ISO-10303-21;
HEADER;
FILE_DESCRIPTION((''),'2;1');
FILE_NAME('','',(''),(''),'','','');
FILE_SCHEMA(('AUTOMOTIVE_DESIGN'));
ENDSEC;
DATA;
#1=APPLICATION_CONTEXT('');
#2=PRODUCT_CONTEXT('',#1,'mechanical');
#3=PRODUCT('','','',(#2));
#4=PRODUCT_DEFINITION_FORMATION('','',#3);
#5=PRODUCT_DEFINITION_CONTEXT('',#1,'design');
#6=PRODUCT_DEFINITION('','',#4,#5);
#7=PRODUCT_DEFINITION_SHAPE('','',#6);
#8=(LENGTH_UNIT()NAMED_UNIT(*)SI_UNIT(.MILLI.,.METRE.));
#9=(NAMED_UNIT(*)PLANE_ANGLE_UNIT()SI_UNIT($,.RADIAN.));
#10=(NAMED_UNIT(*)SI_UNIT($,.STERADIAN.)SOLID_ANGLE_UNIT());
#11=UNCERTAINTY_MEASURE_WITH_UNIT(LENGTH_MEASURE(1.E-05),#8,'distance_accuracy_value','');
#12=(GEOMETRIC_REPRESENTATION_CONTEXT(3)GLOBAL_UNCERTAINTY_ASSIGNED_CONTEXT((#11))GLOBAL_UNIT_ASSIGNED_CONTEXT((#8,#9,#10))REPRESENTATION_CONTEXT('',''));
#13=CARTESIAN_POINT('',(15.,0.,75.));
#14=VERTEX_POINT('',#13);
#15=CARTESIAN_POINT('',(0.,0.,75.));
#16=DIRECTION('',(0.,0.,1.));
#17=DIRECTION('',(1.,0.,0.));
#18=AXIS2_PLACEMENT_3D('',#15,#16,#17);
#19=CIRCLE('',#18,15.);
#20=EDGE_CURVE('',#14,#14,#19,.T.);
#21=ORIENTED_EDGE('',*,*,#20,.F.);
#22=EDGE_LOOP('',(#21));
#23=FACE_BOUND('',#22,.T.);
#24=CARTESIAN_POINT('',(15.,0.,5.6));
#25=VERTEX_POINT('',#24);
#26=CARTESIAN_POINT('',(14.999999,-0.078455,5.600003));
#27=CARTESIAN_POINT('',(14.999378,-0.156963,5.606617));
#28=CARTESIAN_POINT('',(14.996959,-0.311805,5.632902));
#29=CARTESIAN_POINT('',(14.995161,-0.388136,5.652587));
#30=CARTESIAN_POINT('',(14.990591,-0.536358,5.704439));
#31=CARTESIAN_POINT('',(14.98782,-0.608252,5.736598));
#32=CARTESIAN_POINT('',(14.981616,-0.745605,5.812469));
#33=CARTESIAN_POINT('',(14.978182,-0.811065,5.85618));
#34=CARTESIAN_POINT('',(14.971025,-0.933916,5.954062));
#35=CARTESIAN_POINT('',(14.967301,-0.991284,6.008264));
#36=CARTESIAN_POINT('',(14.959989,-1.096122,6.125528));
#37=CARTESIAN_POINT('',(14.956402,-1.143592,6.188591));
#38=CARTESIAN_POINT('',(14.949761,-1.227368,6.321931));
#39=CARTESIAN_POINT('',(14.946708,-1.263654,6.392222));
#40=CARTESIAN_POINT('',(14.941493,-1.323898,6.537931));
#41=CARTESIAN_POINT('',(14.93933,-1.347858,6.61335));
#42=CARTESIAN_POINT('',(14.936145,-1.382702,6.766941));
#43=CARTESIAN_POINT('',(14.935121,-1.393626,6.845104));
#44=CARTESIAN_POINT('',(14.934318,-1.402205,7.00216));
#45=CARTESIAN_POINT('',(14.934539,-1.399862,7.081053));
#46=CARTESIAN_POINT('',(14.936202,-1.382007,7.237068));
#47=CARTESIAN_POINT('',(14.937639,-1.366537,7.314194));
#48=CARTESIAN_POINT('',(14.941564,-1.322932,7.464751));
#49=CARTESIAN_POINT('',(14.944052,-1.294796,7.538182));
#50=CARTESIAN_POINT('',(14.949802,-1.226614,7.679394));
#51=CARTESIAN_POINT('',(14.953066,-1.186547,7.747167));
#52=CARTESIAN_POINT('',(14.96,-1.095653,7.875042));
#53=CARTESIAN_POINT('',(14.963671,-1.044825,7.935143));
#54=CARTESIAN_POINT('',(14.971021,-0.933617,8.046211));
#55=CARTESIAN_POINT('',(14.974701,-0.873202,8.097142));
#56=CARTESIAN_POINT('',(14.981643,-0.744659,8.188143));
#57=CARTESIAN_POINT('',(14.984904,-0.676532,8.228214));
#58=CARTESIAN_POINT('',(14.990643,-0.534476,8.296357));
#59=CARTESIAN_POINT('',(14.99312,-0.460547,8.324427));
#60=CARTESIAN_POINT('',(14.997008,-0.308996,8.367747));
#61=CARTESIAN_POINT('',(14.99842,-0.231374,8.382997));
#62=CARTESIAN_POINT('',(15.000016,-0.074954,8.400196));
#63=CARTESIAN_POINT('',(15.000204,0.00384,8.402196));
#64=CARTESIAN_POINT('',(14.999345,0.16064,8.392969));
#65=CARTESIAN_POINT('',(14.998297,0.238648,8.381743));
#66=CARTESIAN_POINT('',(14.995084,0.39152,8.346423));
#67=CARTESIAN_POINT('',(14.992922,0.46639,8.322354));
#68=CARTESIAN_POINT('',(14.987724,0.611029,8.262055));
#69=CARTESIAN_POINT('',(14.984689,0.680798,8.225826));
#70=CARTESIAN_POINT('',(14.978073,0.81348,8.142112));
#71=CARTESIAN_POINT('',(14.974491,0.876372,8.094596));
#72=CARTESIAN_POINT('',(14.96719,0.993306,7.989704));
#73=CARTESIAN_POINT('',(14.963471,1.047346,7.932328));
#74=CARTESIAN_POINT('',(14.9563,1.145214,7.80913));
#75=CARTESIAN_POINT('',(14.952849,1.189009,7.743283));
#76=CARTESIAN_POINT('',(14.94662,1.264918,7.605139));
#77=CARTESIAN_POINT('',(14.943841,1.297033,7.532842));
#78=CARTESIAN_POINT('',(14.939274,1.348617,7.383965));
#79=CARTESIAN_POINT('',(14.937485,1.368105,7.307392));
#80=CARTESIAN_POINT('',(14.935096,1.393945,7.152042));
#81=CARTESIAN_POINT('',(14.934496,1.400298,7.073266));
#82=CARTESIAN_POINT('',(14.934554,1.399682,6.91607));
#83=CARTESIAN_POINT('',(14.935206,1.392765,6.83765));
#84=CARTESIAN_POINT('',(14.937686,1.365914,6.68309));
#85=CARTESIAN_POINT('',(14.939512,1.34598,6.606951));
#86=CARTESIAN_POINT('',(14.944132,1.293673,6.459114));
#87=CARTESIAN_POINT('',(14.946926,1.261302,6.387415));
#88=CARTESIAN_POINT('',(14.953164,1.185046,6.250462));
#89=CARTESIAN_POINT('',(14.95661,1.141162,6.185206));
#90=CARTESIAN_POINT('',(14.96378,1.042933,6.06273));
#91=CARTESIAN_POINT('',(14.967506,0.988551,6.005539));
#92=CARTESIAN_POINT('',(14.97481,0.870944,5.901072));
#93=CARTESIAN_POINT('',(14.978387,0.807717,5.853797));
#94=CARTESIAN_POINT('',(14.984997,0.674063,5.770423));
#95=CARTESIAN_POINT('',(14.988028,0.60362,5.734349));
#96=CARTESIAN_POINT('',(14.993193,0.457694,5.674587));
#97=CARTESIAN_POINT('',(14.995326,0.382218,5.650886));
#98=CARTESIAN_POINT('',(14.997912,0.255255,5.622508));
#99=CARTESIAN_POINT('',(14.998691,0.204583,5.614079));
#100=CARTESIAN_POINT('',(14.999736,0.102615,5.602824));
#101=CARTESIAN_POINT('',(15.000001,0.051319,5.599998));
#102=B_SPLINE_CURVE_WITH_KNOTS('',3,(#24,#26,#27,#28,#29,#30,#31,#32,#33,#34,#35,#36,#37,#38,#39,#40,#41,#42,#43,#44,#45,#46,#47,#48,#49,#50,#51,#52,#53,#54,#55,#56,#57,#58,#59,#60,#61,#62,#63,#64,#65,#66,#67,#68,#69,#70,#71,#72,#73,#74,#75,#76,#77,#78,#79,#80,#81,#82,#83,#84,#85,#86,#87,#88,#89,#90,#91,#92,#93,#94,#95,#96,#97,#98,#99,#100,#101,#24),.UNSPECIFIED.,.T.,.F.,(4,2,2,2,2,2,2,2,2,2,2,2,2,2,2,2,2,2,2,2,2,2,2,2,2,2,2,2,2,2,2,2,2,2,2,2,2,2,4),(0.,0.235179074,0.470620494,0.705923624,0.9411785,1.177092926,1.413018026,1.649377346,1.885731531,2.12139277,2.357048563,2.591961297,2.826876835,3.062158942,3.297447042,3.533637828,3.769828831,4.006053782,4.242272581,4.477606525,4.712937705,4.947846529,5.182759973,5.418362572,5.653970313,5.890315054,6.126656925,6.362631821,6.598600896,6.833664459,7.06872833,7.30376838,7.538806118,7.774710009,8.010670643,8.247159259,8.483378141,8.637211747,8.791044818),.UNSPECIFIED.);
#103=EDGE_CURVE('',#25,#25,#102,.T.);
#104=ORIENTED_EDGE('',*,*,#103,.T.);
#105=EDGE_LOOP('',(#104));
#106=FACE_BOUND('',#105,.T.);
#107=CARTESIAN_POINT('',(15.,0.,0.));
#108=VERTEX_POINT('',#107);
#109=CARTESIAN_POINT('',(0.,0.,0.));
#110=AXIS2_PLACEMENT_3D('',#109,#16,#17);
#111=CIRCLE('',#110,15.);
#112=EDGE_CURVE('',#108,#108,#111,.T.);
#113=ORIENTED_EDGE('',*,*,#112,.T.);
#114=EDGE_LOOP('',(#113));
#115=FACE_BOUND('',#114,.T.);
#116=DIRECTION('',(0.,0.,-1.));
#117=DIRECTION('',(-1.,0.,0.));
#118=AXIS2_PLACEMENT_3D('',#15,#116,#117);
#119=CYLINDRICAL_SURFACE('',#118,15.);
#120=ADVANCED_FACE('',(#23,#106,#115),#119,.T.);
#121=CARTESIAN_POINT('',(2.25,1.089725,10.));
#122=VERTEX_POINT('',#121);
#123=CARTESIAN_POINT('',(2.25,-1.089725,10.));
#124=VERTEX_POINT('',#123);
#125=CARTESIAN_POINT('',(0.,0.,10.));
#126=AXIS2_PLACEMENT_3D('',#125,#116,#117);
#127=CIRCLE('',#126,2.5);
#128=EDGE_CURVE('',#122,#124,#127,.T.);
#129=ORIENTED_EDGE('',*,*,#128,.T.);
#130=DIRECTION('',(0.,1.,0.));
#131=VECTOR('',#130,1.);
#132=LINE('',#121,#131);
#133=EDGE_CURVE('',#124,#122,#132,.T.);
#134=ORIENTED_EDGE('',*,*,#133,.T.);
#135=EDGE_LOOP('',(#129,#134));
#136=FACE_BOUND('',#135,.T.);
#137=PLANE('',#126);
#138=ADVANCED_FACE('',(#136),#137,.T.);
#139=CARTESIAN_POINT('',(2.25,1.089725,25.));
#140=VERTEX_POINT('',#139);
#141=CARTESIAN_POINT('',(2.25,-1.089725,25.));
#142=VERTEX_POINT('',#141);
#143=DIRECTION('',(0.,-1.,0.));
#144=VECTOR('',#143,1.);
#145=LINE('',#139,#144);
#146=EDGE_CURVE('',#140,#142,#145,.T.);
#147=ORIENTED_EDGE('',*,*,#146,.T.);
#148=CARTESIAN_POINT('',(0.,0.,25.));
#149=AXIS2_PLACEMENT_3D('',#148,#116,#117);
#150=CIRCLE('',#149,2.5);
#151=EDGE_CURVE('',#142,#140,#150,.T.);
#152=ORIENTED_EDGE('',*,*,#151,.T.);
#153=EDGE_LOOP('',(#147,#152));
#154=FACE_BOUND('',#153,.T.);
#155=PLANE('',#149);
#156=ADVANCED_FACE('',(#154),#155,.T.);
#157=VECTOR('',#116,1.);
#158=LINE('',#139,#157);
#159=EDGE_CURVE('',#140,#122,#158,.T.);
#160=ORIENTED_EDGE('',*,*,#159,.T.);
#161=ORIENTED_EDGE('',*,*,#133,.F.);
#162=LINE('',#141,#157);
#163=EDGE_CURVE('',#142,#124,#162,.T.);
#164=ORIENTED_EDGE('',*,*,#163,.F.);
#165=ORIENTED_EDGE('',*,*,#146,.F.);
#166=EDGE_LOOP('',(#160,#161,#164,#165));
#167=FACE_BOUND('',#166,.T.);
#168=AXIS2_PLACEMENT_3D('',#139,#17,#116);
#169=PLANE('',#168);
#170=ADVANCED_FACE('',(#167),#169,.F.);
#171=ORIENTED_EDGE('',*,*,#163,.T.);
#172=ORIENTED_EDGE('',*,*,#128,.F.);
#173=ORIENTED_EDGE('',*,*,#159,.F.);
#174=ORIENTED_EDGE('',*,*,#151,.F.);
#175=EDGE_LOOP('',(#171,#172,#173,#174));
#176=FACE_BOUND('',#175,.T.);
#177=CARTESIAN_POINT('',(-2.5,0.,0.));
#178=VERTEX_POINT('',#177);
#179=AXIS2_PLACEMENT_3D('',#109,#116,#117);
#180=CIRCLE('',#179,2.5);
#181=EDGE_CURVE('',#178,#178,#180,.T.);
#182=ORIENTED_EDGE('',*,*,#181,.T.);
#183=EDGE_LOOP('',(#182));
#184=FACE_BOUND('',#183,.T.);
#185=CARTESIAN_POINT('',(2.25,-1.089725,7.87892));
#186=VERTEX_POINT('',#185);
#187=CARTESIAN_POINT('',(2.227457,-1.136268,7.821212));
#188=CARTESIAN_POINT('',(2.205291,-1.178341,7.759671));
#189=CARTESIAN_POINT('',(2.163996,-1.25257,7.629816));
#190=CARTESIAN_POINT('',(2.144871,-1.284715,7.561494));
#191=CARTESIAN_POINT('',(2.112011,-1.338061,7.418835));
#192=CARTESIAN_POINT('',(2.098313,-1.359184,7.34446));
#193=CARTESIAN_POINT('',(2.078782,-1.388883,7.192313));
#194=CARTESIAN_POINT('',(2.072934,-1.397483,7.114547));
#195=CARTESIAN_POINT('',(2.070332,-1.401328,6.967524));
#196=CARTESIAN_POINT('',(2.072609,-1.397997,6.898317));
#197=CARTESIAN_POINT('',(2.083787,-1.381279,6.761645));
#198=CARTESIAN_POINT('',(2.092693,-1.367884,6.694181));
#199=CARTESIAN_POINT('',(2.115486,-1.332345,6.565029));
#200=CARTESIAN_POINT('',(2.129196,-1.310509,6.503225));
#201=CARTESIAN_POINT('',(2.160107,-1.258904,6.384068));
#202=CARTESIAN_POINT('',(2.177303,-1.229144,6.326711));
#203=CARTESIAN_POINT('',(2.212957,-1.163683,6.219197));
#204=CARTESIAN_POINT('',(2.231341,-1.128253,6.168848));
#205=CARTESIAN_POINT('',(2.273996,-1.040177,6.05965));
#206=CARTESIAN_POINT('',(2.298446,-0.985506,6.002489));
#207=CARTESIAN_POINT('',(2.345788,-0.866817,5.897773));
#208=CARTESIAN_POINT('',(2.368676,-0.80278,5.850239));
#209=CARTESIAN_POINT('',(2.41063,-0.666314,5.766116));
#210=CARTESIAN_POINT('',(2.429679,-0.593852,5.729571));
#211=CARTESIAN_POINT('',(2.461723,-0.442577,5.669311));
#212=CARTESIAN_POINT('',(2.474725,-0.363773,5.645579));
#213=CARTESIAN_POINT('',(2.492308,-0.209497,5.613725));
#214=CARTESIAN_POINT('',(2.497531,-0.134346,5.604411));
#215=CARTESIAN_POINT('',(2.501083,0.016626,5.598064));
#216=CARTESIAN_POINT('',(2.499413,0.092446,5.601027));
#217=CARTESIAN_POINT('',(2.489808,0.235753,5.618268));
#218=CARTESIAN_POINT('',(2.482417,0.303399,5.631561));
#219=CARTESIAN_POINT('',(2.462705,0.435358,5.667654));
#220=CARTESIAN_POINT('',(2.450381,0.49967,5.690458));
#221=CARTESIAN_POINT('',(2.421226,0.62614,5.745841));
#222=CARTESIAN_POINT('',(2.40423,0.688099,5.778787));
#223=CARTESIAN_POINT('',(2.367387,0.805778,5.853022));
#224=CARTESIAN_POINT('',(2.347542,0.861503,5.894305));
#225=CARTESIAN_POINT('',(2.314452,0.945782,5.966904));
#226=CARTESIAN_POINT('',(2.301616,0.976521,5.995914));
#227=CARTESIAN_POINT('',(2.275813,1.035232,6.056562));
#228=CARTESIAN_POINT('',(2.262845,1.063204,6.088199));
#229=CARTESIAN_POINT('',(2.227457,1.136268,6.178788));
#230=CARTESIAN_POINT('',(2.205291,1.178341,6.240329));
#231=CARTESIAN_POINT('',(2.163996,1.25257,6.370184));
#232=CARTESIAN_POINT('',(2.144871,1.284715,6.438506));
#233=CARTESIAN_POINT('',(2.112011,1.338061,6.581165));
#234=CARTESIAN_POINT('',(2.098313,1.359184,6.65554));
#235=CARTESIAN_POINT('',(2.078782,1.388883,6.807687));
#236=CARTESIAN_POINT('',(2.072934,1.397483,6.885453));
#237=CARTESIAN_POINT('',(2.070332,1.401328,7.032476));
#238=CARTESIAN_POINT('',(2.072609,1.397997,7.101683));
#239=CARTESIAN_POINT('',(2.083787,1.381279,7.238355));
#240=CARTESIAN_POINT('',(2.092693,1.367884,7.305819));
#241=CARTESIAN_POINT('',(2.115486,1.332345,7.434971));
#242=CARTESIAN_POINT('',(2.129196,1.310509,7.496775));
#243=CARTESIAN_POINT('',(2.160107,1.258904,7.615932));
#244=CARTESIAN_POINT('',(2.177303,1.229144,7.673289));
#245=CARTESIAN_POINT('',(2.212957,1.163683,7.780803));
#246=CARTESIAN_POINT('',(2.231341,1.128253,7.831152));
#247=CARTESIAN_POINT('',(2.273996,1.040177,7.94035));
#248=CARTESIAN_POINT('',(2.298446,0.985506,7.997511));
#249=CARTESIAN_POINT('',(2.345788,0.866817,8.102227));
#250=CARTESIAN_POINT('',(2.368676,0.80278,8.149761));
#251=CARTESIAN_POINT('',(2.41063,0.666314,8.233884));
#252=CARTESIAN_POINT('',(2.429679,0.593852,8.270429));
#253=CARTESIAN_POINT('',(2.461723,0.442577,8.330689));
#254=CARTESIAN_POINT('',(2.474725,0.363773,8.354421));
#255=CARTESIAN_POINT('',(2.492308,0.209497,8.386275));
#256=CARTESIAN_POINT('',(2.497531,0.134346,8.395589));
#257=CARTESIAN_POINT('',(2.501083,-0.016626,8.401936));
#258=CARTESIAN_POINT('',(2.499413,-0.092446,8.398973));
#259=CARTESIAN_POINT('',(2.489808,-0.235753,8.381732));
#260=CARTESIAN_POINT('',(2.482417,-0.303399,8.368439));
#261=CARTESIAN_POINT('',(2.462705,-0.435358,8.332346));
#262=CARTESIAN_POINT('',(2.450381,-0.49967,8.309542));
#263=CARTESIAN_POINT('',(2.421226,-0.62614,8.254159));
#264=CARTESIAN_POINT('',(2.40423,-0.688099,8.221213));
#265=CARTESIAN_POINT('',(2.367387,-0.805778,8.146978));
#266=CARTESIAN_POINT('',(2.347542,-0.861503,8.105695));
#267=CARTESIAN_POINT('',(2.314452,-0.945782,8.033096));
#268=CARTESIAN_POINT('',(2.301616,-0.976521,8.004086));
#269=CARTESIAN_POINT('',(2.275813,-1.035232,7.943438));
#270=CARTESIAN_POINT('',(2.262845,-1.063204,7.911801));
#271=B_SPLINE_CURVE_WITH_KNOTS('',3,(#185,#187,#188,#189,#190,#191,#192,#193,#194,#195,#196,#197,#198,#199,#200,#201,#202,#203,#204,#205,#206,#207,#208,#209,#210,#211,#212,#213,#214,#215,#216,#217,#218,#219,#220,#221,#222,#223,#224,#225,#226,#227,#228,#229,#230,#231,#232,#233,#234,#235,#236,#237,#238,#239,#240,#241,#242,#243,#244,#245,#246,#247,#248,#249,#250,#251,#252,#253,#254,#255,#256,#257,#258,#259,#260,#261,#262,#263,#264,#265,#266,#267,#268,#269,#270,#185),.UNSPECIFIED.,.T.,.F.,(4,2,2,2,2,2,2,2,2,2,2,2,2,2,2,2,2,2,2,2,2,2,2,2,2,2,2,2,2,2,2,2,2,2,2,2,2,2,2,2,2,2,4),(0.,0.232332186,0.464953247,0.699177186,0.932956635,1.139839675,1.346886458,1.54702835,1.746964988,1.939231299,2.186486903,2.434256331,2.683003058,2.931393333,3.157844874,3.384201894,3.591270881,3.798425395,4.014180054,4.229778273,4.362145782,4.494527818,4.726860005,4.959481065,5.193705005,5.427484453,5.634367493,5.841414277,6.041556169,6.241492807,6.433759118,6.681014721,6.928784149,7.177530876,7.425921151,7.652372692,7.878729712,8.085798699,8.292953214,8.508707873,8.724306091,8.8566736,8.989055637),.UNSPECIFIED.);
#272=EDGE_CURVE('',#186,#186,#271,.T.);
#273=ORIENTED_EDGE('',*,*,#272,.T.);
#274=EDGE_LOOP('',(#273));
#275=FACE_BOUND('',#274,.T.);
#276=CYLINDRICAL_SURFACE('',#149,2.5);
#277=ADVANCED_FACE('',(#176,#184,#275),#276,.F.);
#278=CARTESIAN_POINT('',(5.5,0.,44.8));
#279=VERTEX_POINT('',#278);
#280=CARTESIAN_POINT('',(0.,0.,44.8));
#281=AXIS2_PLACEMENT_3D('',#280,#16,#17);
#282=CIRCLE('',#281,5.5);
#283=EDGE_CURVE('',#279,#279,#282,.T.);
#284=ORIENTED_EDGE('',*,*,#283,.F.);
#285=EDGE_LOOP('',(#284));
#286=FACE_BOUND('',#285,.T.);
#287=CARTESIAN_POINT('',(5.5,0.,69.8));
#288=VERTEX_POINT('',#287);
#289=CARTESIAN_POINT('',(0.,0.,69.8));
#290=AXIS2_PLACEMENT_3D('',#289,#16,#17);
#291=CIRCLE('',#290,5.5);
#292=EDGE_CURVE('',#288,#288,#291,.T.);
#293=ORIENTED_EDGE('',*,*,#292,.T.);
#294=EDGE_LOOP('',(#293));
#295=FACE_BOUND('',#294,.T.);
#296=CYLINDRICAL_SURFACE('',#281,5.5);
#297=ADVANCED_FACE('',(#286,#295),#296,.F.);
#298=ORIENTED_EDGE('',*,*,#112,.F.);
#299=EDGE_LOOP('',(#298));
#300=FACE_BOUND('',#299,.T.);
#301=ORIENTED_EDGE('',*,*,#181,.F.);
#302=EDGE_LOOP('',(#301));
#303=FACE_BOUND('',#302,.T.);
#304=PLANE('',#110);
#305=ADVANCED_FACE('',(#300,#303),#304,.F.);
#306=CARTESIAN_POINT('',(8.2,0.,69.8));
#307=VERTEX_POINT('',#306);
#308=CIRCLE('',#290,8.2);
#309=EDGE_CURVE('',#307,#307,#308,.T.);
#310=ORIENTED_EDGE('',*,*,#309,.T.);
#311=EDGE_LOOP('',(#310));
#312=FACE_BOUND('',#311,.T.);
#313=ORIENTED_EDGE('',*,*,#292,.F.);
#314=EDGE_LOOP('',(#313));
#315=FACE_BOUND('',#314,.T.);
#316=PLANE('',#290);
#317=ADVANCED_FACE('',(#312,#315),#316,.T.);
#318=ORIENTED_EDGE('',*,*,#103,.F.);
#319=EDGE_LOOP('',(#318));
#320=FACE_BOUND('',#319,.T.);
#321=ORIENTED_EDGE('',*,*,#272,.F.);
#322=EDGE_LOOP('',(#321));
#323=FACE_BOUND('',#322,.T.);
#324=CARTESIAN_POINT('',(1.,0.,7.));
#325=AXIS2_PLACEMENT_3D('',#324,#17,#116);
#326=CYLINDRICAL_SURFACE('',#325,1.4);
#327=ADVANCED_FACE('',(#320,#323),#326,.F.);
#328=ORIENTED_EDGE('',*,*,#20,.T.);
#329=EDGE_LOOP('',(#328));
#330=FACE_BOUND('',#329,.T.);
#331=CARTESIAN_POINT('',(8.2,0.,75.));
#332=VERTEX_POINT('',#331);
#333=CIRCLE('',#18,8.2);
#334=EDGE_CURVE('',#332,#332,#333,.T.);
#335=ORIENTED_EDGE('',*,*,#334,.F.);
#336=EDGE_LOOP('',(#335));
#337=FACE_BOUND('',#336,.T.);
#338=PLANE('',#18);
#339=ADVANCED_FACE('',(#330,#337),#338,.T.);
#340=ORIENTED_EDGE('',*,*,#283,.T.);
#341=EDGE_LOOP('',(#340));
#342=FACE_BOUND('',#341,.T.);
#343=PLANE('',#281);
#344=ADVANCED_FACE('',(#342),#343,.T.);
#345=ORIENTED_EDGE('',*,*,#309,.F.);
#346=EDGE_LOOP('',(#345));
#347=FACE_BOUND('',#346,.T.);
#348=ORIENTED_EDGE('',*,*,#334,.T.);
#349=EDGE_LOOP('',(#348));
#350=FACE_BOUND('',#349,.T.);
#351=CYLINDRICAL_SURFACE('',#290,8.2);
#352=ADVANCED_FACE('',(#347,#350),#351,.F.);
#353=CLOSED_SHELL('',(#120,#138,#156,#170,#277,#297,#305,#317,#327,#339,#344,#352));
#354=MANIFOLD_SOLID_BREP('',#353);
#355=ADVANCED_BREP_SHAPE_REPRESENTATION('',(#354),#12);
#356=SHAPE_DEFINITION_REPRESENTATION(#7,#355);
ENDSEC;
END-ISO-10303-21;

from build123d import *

# Parameters (mm, degrees)
SKETCH1_R           = 15
BOSS_EXTRUDE1_DEPTH = 75
SKETCH2_R           = 8.2
CUT_EXTRUDE1_DEPTH  = 5.2
CUT_EXTRUDE2_DEPTH  = 25
SKETCH5_R           = 1.4
CUT_EXTRUDE4_DEPTH  = 14
SKETCH6_R           = 5.5
CUT_EXTRUDE5_DEPTH  = 25
CUT_EXTRUDE6_DEPTH  = 10


with BuildPart() as part:
    # Sketch1 → Boss-Extrude1 (new body)
    with BuildSketch(Plane.XY):
        Circle(SKETCH1_R)
    extrude(amount=BOSS_EXTRUDE1_DEPTH)

    # Sketch2 → Cut-Extrude1 (cut)
    with BuildSketch(Plane.XY.offset(75)):
        Circle(SKETCH2_R)
    extrude(amount=-CUT_EXTRUDE1_DEPTH, mode=Mode.SUBTRACT)

    # Sketch3 → Cut-Extrude2 (cut)
    with BuildSketch(Plane(origin=(0, 0, 0), x_dir=(-1, 0, 0), z_dir=(0, 0, -1))):
        with BuildLine():
            Line((-2.25, 1.089724736), (-2.25, -1.089724736))
            ThreePointArc((-2.25, -1.089724736), (2.5, 0), (-2.25, 1.089724736))
        make_face()
    extrude(amount=-CUT_EXTRUDE2_DEPTH, mode=Mode.SUBTRACT)

    # Sketch5 → Cut-Extrude4 (cut)
    with BuildSketch(Plane(origin=(15, 0, 0), x_dir=(0, 0, -1), z_dir=(1, 0, 0))):
        with Locations((-7, 0)):
            Circle(SKETCH5_R)
    extrude(amount=-CUT_EXTRUDE4_DEPTH, mode=Mode.SUBTRACT)

    # Sketch6 → Cut-Extrude5 (cut)
    with BuildSketch(Plane.XY.offset(69.8)):
        Circle(SKETCH6_R)
    extrude(amount=-CUT_EXTRUDE5_DEPTH, mode=Mode.SUBTRACT)

    # Sketch8 → Cut-Extrude6 (cut)
    with BuildSketch(Plane(origin=(0, 0, 0), x_dir=(-1, 0, 0), z_dir=(0, 0, -1))):
        with BuildLine():
            Line((-2.25, 1.089724736), (-2.25, -1.089724736))
            ThreePointArc((-2.25, -1.089724736), (-2.5, 0), (-2.25, 1.089724736))
        make_face()
    extrude(amount=-CUT_EXTRUDE6_DEPTH, mode=Mode.SUBTRACT)


solid = part.part
